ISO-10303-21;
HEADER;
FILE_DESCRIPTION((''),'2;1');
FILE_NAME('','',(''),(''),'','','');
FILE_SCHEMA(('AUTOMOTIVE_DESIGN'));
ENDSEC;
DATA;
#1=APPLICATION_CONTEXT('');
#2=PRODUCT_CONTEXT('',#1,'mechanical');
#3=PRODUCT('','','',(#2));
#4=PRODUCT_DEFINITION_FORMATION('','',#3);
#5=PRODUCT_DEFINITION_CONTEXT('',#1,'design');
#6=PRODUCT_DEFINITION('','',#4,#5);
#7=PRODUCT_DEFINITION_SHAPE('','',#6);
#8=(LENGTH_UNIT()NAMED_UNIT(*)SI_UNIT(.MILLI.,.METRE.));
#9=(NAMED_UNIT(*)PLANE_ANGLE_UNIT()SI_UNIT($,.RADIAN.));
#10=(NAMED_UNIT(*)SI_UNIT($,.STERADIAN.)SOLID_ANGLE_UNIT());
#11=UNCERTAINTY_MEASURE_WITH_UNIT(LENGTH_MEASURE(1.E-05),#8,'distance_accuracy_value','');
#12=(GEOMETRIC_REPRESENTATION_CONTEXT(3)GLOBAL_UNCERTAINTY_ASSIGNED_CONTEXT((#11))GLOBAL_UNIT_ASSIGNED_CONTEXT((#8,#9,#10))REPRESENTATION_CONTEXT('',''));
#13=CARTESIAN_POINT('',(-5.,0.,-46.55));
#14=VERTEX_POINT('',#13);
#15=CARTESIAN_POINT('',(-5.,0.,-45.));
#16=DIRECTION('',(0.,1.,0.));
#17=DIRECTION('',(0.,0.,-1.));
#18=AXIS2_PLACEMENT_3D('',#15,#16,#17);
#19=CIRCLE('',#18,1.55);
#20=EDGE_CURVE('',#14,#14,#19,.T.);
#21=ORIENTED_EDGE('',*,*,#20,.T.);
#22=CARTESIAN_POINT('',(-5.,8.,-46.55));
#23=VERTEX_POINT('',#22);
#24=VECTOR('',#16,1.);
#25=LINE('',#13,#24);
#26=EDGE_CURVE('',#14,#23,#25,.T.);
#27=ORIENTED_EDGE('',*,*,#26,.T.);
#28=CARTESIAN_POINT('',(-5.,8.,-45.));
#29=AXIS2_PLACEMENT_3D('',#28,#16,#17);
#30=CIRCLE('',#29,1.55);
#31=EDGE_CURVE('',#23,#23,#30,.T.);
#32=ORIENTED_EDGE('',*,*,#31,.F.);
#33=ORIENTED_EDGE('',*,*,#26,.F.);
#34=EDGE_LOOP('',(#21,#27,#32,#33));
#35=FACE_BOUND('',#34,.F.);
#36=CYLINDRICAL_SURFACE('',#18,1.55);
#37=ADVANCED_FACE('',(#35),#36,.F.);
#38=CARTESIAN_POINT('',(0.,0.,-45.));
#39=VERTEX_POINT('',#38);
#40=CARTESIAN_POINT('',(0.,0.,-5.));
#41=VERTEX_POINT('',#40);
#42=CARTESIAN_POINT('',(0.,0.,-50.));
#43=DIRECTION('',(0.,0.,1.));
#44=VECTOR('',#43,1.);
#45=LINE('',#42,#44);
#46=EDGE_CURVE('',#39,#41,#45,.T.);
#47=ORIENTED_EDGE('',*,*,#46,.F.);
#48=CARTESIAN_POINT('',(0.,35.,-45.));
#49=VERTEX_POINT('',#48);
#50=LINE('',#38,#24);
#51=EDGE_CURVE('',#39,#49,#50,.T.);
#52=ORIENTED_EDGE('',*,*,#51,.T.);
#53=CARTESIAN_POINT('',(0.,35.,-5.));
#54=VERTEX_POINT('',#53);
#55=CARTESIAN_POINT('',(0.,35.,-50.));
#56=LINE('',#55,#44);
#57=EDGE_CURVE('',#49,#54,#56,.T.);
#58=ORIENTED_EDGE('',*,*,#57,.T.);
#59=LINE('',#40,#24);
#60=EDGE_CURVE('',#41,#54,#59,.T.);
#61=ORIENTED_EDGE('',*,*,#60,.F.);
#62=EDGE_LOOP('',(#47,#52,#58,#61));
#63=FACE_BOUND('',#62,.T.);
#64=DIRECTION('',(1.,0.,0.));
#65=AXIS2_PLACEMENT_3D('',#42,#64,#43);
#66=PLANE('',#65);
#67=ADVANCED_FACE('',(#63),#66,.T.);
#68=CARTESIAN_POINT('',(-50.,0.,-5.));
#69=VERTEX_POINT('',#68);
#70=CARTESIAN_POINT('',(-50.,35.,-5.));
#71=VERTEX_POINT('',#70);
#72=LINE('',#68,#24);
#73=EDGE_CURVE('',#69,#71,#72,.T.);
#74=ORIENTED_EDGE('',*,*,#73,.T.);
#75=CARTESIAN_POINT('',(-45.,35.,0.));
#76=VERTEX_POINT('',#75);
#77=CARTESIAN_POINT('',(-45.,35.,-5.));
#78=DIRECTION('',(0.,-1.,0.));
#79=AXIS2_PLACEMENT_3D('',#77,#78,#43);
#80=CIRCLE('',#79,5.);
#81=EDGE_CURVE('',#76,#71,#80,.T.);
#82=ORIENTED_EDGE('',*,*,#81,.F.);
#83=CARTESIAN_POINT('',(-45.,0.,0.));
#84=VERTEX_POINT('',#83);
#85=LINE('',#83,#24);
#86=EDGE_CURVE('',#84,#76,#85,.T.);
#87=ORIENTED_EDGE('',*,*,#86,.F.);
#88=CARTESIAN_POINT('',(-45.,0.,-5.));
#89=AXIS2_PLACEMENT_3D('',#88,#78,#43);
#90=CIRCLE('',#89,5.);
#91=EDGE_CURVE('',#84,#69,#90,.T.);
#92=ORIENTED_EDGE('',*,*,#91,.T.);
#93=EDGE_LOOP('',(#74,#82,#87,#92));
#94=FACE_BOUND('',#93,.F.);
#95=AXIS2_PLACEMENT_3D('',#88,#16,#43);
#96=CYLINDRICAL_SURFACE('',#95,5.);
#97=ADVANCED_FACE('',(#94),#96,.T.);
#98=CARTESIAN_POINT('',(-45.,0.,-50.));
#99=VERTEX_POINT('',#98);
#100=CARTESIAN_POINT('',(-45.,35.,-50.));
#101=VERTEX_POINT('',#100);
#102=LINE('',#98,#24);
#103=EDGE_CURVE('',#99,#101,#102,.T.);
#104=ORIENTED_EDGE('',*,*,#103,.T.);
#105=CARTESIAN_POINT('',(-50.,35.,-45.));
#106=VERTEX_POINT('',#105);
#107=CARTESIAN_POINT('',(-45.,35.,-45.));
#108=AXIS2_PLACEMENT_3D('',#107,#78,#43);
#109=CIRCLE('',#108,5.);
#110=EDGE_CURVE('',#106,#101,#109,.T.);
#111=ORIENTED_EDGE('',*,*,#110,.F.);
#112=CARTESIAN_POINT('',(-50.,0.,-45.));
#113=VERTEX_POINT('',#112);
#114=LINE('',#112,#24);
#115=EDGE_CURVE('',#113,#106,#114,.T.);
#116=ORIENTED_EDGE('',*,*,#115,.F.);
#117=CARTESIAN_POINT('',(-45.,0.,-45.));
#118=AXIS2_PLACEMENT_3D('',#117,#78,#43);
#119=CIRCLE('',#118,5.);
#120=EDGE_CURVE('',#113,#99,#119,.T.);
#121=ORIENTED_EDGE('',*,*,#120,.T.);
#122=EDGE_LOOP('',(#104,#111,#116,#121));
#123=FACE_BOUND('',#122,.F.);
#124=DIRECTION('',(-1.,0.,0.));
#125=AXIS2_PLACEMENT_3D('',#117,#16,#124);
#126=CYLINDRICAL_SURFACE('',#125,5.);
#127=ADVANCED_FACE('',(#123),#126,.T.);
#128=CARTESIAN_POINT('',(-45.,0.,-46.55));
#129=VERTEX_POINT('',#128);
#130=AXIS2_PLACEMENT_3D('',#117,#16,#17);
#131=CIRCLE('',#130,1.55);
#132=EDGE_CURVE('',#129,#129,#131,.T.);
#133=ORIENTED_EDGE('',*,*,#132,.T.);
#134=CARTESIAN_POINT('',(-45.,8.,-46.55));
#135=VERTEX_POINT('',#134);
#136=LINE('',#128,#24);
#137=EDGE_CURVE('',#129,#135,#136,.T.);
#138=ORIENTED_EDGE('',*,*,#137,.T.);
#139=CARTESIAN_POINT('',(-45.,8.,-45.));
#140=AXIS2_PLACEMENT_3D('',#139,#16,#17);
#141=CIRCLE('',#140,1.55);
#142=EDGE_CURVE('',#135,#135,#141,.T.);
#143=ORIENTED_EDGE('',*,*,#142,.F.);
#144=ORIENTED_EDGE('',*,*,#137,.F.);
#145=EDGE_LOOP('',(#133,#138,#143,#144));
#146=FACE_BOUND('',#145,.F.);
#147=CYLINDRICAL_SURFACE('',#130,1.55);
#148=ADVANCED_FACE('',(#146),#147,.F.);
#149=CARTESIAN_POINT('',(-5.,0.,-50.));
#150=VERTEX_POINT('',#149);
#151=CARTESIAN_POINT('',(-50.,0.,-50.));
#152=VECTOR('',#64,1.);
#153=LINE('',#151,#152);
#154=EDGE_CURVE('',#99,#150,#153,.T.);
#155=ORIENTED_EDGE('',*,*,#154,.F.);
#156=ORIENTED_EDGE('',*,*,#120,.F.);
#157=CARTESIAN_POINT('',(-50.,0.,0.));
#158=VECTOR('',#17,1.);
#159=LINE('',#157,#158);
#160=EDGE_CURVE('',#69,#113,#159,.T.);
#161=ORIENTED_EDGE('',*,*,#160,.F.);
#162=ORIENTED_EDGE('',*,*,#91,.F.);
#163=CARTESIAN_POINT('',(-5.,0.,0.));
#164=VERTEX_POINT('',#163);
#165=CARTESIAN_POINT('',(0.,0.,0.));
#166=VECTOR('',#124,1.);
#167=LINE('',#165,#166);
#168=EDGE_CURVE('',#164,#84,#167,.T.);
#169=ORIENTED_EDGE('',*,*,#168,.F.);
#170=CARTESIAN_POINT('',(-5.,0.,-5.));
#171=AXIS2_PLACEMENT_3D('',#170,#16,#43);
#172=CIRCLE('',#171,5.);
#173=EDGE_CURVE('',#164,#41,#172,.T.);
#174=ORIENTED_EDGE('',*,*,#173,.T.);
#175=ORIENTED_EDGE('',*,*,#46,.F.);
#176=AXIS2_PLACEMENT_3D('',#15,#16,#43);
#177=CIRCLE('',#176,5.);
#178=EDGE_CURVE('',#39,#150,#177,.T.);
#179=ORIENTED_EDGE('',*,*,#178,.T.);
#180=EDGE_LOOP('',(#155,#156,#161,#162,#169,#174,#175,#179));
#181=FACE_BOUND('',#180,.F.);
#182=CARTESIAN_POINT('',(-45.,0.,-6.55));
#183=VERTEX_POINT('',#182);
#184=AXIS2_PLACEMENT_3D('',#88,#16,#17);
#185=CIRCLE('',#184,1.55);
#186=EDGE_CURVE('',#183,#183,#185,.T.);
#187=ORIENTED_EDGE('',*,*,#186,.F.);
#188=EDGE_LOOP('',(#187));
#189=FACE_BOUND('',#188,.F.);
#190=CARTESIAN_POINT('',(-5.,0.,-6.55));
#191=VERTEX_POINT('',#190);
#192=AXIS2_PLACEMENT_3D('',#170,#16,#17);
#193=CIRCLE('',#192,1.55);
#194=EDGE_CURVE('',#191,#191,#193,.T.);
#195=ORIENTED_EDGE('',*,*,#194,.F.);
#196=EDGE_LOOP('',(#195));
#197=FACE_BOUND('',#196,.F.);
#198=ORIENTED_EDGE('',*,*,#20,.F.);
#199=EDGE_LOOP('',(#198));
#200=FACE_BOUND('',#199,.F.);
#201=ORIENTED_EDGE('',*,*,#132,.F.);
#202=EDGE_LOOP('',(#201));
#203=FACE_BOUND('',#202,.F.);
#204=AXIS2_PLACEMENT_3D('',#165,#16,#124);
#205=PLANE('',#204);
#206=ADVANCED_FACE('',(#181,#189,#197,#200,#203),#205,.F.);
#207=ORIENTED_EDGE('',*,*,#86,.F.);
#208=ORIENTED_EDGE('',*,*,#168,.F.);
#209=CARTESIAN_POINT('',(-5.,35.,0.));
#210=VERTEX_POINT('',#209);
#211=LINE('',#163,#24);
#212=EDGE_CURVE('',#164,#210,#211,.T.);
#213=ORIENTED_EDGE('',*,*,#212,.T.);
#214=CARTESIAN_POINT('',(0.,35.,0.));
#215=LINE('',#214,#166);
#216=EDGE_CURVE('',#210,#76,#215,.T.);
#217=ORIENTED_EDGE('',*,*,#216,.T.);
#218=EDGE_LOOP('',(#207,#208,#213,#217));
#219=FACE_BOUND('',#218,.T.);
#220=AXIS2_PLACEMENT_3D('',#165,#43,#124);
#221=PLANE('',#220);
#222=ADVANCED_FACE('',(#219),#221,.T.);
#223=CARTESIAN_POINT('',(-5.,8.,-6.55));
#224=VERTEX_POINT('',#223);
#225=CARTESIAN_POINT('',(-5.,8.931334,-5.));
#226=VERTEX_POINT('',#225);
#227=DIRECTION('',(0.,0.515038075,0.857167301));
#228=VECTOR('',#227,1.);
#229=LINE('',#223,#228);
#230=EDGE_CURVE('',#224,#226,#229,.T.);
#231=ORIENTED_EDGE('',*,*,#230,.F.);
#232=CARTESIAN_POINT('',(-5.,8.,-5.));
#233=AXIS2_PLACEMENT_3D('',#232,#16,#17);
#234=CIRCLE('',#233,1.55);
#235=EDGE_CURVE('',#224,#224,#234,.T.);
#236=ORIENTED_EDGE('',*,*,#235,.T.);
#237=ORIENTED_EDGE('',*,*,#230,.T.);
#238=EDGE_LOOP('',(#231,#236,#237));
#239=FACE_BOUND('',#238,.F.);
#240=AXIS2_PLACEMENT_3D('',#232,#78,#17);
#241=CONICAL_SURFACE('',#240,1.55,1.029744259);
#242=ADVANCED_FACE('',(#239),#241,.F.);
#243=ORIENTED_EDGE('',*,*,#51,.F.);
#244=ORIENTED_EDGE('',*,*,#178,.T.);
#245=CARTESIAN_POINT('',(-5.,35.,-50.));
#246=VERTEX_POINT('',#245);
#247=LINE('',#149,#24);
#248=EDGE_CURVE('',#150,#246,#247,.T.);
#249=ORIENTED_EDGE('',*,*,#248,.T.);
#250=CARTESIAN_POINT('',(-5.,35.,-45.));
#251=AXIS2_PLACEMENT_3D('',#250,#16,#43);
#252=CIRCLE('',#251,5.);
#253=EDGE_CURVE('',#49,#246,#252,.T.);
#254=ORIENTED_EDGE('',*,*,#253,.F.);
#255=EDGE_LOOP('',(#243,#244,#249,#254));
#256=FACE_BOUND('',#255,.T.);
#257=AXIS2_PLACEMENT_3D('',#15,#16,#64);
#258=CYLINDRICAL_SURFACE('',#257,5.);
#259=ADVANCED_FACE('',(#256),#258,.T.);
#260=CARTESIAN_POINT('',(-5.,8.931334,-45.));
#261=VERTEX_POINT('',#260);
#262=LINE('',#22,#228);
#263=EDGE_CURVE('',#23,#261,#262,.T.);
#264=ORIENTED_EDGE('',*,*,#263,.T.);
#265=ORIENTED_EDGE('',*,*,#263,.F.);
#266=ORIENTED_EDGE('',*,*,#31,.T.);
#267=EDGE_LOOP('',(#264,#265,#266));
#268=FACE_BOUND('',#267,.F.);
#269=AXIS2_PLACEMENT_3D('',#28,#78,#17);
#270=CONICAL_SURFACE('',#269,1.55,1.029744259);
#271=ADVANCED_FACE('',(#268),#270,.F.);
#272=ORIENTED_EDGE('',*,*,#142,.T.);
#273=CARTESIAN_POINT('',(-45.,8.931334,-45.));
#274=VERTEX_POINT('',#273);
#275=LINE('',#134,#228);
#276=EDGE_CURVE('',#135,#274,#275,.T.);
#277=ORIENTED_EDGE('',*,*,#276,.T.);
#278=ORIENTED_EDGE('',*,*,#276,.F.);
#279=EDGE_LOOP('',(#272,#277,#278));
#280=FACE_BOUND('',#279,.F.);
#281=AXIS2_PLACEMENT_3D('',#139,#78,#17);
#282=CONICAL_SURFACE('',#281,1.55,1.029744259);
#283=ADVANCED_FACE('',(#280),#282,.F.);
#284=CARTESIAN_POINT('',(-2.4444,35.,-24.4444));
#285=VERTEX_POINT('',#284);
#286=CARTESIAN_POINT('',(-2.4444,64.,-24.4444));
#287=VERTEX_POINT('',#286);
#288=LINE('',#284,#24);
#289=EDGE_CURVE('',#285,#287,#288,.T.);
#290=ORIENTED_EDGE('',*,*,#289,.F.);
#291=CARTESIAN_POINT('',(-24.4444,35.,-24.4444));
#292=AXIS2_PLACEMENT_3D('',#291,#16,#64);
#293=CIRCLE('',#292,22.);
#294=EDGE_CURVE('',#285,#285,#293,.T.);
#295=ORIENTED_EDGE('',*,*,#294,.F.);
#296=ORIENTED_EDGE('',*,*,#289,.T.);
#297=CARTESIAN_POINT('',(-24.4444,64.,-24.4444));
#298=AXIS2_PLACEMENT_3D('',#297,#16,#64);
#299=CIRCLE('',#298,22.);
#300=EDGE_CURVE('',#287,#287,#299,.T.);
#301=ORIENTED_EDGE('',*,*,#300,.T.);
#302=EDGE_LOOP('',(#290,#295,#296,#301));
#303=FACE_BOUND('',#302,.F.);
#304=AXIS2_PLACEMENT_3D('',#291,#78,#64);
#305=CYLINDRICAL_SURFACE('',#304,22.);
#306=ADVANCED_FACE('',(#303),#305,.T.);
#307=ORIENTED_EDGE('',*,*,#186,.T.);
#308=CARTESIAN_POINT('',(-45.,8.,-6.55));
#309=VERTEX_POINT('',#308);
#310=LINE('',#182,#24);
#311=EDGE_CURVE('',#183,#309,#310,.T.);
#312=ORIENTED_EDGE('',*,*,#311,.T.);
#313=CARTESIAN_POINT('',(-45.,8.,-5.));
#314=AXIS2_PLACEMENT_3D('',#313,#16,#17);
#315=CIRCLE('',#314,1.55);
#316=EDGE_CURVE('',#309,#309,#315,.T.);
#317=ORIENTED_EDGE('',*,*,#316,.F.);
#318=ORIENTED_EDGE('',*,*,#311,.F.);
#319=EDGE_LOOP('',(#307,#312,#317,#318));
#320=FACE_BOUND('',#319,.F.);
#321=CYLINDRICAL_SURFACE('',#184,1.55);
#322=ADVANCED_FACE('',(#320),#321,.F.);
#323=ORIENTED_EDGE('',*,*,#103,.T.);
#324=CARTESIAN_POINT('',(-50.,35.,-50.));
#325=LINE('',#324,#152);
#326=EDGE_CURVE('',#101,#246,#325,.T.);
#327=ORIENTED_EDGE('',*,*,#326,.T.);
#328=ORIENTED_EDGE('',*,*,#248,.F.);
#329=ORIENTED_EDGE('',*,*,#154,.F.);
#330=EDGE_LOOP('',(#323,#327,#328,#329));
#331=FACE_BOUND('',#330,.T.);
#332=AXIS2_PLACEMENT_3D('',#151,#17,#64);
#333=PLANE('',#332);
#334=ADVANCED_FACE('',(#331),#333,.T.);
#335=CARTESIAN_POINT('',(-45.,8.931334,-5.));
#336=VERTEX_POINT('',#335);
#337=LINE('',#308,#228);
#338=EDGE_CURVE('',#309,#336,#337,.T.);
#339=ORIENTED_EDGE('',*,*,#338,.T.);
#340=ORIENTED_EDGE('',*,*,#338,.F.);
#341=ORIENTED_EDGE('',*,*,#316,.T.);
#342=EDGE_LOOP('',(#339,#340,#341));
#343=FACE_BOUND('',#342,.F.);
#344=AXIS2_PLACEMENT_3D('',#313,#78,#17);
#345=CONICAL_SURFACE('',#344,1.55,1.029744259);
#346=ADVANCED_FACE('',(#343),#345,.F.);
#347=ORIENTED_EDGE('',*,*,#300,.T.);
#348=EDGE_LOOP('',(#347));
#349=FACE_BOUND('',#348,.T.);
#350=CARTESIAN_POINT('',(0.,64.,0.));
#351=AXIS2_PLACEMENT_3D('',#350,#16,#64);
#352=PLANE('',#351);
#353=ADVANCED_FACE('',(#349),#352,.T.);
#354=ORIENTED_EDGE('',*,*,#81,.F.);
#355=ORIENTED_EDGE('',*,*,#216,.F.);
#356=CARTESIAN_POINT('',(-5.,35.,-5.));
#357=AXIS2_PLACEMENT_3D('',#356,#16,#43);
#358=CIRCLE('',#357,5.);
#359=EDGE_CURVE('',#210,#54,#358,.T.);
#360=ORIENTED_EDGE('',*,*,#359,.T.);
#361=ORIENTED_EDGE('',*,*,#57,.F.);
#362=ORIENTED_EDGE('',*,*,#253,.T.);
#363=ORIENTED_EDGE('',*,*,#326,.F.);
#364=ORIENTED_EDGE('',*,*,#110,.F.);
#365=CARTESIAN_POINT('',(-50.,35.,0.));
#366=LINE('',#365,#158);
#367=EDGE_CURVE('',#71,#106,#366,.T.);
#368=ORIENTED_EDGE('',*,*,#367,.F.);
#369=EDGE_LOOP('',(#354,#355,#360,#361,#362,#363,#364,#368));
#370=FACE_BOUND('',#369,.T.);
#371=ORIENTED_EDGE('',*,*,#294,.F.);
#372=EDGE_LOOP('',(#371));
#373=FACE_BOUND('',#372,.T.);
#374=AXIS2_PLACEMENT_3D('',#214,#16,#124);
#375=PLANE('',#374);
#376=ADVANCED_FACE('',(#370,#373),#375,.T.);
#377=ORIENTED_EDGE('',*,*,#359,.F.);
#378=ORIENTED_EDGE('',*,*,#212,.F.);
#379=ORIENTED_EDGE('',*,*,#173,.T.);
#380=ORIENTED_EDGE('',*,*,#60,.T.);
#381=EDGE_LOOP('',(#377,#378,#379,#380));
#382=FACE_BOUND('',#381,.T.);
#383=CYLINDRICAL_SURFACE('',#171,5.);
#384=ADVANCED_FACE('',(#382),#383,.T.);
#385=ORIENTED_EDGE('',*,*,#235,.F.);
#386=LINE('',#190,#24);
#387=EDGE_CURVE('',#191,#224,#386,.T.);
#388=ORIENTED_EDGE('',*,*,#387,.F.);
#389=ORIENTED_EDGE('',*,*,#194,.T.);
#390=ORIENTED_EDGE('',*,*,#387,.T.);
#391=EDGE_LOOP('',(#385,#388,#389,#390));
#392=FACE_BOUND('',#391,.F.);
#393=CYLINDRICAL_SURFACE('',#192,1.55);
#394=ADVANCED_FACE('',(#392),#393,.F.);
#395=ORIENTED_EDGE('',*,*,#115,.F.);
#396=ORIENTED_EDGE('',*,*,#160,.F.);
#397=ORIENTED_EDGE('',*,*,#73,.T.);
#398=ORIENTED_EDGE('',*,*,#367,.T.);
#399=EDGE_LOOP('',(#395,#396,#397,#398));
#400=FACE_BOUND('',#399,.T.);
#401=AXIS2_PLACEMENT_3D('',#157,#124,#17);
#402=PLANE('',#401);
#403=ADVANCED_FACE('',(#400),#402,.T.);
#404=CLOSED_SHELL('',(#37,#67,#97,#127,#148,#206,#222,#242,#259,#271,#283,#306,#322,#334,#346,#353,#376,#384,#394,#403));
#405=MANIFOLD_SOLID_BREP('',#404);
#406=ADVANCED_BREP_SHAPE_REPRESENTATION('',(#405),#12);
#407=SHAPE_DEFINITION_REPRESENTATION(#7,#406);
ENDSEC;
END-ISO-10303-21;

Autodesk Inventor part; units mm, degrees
ref_plane "YZ Plane" through (0, 0, 0) normal (1, 0, 0) x (0, 1, 0)
ref_plane "XZ Plane" through (0, 0, 0) normal (0, 1, 0) x (-1, 0, 0)
ref_plane "XY Plane" through (0, 0, 0) normal (0, 0, 1) x (1, 0, 0)
sketch "スケッチ1" plane through (0, 0, 0) normal (0, 1, 0) x (-1, 0, 0)
  line L0 (0, 0) -> (50, 0)
  line L1 (50, 0) -> (50, -50)
  line L2 (50, -50) -> (0, -50)
  line L3 (0, -50) -> (0, 0)
  dimension "d0" = 50
  dimension "d1" = 50
extrude "押し出し1" add sketch "スケッチ1" along normal blind 35
sketch "スケッチ2" plane through (0, 35, 0) normal (0, 1, 0) x (1, 0, 0)
  circle A0 centre (-24.4444, 24.4444) radius 22
  point P0 (0, 0)
  dimension "d4" = 44
extrude "押し出し2" add sketch "スケッチ2" along normal blind 29
fillet "フィレット1" radius 5 4 edges at (-50, 17.5, 0) (0, 17.5, 0) (0, 17.5, -50) (-50, 17.5, -50)
sketch "スケッチ3" plane through (0, 0, 0) normal (0, -1, 0) x (1, 0, 0)
  arc A0 (-50, -45) -> (-45, -50) centre (-45, -45) ccw projected
  line L0 (-5, -50) -> (-45, -50) projected
  arc A1 (-5, -50) -> (0, -45) centre (-5, -45) ccw projected
  line L1 (0, -5) -> (0, -45) projected
  arc A2 (0, -5) -> (-5, 0) centre (-5, -5) ccw projected
  line L2 (-45, 0) -> (-5, 0) projected
  arc A3 (-45, 0) -> (-50, -5) centre (-45, -5) ccw projected
  line L3 (-50, -45) -> (-50, -5) projected
  point P0 (0, 0)
hole "穴1" at (-5, 0, -5) at (-5, 0, -45) at (-45, 0, -45) at (-45, 0, -5) direction (0, 1, 0) diameter 3.1 depth 8 tip angle 118
properties part number "LiDAR_un" material "ABS プラスチック"
